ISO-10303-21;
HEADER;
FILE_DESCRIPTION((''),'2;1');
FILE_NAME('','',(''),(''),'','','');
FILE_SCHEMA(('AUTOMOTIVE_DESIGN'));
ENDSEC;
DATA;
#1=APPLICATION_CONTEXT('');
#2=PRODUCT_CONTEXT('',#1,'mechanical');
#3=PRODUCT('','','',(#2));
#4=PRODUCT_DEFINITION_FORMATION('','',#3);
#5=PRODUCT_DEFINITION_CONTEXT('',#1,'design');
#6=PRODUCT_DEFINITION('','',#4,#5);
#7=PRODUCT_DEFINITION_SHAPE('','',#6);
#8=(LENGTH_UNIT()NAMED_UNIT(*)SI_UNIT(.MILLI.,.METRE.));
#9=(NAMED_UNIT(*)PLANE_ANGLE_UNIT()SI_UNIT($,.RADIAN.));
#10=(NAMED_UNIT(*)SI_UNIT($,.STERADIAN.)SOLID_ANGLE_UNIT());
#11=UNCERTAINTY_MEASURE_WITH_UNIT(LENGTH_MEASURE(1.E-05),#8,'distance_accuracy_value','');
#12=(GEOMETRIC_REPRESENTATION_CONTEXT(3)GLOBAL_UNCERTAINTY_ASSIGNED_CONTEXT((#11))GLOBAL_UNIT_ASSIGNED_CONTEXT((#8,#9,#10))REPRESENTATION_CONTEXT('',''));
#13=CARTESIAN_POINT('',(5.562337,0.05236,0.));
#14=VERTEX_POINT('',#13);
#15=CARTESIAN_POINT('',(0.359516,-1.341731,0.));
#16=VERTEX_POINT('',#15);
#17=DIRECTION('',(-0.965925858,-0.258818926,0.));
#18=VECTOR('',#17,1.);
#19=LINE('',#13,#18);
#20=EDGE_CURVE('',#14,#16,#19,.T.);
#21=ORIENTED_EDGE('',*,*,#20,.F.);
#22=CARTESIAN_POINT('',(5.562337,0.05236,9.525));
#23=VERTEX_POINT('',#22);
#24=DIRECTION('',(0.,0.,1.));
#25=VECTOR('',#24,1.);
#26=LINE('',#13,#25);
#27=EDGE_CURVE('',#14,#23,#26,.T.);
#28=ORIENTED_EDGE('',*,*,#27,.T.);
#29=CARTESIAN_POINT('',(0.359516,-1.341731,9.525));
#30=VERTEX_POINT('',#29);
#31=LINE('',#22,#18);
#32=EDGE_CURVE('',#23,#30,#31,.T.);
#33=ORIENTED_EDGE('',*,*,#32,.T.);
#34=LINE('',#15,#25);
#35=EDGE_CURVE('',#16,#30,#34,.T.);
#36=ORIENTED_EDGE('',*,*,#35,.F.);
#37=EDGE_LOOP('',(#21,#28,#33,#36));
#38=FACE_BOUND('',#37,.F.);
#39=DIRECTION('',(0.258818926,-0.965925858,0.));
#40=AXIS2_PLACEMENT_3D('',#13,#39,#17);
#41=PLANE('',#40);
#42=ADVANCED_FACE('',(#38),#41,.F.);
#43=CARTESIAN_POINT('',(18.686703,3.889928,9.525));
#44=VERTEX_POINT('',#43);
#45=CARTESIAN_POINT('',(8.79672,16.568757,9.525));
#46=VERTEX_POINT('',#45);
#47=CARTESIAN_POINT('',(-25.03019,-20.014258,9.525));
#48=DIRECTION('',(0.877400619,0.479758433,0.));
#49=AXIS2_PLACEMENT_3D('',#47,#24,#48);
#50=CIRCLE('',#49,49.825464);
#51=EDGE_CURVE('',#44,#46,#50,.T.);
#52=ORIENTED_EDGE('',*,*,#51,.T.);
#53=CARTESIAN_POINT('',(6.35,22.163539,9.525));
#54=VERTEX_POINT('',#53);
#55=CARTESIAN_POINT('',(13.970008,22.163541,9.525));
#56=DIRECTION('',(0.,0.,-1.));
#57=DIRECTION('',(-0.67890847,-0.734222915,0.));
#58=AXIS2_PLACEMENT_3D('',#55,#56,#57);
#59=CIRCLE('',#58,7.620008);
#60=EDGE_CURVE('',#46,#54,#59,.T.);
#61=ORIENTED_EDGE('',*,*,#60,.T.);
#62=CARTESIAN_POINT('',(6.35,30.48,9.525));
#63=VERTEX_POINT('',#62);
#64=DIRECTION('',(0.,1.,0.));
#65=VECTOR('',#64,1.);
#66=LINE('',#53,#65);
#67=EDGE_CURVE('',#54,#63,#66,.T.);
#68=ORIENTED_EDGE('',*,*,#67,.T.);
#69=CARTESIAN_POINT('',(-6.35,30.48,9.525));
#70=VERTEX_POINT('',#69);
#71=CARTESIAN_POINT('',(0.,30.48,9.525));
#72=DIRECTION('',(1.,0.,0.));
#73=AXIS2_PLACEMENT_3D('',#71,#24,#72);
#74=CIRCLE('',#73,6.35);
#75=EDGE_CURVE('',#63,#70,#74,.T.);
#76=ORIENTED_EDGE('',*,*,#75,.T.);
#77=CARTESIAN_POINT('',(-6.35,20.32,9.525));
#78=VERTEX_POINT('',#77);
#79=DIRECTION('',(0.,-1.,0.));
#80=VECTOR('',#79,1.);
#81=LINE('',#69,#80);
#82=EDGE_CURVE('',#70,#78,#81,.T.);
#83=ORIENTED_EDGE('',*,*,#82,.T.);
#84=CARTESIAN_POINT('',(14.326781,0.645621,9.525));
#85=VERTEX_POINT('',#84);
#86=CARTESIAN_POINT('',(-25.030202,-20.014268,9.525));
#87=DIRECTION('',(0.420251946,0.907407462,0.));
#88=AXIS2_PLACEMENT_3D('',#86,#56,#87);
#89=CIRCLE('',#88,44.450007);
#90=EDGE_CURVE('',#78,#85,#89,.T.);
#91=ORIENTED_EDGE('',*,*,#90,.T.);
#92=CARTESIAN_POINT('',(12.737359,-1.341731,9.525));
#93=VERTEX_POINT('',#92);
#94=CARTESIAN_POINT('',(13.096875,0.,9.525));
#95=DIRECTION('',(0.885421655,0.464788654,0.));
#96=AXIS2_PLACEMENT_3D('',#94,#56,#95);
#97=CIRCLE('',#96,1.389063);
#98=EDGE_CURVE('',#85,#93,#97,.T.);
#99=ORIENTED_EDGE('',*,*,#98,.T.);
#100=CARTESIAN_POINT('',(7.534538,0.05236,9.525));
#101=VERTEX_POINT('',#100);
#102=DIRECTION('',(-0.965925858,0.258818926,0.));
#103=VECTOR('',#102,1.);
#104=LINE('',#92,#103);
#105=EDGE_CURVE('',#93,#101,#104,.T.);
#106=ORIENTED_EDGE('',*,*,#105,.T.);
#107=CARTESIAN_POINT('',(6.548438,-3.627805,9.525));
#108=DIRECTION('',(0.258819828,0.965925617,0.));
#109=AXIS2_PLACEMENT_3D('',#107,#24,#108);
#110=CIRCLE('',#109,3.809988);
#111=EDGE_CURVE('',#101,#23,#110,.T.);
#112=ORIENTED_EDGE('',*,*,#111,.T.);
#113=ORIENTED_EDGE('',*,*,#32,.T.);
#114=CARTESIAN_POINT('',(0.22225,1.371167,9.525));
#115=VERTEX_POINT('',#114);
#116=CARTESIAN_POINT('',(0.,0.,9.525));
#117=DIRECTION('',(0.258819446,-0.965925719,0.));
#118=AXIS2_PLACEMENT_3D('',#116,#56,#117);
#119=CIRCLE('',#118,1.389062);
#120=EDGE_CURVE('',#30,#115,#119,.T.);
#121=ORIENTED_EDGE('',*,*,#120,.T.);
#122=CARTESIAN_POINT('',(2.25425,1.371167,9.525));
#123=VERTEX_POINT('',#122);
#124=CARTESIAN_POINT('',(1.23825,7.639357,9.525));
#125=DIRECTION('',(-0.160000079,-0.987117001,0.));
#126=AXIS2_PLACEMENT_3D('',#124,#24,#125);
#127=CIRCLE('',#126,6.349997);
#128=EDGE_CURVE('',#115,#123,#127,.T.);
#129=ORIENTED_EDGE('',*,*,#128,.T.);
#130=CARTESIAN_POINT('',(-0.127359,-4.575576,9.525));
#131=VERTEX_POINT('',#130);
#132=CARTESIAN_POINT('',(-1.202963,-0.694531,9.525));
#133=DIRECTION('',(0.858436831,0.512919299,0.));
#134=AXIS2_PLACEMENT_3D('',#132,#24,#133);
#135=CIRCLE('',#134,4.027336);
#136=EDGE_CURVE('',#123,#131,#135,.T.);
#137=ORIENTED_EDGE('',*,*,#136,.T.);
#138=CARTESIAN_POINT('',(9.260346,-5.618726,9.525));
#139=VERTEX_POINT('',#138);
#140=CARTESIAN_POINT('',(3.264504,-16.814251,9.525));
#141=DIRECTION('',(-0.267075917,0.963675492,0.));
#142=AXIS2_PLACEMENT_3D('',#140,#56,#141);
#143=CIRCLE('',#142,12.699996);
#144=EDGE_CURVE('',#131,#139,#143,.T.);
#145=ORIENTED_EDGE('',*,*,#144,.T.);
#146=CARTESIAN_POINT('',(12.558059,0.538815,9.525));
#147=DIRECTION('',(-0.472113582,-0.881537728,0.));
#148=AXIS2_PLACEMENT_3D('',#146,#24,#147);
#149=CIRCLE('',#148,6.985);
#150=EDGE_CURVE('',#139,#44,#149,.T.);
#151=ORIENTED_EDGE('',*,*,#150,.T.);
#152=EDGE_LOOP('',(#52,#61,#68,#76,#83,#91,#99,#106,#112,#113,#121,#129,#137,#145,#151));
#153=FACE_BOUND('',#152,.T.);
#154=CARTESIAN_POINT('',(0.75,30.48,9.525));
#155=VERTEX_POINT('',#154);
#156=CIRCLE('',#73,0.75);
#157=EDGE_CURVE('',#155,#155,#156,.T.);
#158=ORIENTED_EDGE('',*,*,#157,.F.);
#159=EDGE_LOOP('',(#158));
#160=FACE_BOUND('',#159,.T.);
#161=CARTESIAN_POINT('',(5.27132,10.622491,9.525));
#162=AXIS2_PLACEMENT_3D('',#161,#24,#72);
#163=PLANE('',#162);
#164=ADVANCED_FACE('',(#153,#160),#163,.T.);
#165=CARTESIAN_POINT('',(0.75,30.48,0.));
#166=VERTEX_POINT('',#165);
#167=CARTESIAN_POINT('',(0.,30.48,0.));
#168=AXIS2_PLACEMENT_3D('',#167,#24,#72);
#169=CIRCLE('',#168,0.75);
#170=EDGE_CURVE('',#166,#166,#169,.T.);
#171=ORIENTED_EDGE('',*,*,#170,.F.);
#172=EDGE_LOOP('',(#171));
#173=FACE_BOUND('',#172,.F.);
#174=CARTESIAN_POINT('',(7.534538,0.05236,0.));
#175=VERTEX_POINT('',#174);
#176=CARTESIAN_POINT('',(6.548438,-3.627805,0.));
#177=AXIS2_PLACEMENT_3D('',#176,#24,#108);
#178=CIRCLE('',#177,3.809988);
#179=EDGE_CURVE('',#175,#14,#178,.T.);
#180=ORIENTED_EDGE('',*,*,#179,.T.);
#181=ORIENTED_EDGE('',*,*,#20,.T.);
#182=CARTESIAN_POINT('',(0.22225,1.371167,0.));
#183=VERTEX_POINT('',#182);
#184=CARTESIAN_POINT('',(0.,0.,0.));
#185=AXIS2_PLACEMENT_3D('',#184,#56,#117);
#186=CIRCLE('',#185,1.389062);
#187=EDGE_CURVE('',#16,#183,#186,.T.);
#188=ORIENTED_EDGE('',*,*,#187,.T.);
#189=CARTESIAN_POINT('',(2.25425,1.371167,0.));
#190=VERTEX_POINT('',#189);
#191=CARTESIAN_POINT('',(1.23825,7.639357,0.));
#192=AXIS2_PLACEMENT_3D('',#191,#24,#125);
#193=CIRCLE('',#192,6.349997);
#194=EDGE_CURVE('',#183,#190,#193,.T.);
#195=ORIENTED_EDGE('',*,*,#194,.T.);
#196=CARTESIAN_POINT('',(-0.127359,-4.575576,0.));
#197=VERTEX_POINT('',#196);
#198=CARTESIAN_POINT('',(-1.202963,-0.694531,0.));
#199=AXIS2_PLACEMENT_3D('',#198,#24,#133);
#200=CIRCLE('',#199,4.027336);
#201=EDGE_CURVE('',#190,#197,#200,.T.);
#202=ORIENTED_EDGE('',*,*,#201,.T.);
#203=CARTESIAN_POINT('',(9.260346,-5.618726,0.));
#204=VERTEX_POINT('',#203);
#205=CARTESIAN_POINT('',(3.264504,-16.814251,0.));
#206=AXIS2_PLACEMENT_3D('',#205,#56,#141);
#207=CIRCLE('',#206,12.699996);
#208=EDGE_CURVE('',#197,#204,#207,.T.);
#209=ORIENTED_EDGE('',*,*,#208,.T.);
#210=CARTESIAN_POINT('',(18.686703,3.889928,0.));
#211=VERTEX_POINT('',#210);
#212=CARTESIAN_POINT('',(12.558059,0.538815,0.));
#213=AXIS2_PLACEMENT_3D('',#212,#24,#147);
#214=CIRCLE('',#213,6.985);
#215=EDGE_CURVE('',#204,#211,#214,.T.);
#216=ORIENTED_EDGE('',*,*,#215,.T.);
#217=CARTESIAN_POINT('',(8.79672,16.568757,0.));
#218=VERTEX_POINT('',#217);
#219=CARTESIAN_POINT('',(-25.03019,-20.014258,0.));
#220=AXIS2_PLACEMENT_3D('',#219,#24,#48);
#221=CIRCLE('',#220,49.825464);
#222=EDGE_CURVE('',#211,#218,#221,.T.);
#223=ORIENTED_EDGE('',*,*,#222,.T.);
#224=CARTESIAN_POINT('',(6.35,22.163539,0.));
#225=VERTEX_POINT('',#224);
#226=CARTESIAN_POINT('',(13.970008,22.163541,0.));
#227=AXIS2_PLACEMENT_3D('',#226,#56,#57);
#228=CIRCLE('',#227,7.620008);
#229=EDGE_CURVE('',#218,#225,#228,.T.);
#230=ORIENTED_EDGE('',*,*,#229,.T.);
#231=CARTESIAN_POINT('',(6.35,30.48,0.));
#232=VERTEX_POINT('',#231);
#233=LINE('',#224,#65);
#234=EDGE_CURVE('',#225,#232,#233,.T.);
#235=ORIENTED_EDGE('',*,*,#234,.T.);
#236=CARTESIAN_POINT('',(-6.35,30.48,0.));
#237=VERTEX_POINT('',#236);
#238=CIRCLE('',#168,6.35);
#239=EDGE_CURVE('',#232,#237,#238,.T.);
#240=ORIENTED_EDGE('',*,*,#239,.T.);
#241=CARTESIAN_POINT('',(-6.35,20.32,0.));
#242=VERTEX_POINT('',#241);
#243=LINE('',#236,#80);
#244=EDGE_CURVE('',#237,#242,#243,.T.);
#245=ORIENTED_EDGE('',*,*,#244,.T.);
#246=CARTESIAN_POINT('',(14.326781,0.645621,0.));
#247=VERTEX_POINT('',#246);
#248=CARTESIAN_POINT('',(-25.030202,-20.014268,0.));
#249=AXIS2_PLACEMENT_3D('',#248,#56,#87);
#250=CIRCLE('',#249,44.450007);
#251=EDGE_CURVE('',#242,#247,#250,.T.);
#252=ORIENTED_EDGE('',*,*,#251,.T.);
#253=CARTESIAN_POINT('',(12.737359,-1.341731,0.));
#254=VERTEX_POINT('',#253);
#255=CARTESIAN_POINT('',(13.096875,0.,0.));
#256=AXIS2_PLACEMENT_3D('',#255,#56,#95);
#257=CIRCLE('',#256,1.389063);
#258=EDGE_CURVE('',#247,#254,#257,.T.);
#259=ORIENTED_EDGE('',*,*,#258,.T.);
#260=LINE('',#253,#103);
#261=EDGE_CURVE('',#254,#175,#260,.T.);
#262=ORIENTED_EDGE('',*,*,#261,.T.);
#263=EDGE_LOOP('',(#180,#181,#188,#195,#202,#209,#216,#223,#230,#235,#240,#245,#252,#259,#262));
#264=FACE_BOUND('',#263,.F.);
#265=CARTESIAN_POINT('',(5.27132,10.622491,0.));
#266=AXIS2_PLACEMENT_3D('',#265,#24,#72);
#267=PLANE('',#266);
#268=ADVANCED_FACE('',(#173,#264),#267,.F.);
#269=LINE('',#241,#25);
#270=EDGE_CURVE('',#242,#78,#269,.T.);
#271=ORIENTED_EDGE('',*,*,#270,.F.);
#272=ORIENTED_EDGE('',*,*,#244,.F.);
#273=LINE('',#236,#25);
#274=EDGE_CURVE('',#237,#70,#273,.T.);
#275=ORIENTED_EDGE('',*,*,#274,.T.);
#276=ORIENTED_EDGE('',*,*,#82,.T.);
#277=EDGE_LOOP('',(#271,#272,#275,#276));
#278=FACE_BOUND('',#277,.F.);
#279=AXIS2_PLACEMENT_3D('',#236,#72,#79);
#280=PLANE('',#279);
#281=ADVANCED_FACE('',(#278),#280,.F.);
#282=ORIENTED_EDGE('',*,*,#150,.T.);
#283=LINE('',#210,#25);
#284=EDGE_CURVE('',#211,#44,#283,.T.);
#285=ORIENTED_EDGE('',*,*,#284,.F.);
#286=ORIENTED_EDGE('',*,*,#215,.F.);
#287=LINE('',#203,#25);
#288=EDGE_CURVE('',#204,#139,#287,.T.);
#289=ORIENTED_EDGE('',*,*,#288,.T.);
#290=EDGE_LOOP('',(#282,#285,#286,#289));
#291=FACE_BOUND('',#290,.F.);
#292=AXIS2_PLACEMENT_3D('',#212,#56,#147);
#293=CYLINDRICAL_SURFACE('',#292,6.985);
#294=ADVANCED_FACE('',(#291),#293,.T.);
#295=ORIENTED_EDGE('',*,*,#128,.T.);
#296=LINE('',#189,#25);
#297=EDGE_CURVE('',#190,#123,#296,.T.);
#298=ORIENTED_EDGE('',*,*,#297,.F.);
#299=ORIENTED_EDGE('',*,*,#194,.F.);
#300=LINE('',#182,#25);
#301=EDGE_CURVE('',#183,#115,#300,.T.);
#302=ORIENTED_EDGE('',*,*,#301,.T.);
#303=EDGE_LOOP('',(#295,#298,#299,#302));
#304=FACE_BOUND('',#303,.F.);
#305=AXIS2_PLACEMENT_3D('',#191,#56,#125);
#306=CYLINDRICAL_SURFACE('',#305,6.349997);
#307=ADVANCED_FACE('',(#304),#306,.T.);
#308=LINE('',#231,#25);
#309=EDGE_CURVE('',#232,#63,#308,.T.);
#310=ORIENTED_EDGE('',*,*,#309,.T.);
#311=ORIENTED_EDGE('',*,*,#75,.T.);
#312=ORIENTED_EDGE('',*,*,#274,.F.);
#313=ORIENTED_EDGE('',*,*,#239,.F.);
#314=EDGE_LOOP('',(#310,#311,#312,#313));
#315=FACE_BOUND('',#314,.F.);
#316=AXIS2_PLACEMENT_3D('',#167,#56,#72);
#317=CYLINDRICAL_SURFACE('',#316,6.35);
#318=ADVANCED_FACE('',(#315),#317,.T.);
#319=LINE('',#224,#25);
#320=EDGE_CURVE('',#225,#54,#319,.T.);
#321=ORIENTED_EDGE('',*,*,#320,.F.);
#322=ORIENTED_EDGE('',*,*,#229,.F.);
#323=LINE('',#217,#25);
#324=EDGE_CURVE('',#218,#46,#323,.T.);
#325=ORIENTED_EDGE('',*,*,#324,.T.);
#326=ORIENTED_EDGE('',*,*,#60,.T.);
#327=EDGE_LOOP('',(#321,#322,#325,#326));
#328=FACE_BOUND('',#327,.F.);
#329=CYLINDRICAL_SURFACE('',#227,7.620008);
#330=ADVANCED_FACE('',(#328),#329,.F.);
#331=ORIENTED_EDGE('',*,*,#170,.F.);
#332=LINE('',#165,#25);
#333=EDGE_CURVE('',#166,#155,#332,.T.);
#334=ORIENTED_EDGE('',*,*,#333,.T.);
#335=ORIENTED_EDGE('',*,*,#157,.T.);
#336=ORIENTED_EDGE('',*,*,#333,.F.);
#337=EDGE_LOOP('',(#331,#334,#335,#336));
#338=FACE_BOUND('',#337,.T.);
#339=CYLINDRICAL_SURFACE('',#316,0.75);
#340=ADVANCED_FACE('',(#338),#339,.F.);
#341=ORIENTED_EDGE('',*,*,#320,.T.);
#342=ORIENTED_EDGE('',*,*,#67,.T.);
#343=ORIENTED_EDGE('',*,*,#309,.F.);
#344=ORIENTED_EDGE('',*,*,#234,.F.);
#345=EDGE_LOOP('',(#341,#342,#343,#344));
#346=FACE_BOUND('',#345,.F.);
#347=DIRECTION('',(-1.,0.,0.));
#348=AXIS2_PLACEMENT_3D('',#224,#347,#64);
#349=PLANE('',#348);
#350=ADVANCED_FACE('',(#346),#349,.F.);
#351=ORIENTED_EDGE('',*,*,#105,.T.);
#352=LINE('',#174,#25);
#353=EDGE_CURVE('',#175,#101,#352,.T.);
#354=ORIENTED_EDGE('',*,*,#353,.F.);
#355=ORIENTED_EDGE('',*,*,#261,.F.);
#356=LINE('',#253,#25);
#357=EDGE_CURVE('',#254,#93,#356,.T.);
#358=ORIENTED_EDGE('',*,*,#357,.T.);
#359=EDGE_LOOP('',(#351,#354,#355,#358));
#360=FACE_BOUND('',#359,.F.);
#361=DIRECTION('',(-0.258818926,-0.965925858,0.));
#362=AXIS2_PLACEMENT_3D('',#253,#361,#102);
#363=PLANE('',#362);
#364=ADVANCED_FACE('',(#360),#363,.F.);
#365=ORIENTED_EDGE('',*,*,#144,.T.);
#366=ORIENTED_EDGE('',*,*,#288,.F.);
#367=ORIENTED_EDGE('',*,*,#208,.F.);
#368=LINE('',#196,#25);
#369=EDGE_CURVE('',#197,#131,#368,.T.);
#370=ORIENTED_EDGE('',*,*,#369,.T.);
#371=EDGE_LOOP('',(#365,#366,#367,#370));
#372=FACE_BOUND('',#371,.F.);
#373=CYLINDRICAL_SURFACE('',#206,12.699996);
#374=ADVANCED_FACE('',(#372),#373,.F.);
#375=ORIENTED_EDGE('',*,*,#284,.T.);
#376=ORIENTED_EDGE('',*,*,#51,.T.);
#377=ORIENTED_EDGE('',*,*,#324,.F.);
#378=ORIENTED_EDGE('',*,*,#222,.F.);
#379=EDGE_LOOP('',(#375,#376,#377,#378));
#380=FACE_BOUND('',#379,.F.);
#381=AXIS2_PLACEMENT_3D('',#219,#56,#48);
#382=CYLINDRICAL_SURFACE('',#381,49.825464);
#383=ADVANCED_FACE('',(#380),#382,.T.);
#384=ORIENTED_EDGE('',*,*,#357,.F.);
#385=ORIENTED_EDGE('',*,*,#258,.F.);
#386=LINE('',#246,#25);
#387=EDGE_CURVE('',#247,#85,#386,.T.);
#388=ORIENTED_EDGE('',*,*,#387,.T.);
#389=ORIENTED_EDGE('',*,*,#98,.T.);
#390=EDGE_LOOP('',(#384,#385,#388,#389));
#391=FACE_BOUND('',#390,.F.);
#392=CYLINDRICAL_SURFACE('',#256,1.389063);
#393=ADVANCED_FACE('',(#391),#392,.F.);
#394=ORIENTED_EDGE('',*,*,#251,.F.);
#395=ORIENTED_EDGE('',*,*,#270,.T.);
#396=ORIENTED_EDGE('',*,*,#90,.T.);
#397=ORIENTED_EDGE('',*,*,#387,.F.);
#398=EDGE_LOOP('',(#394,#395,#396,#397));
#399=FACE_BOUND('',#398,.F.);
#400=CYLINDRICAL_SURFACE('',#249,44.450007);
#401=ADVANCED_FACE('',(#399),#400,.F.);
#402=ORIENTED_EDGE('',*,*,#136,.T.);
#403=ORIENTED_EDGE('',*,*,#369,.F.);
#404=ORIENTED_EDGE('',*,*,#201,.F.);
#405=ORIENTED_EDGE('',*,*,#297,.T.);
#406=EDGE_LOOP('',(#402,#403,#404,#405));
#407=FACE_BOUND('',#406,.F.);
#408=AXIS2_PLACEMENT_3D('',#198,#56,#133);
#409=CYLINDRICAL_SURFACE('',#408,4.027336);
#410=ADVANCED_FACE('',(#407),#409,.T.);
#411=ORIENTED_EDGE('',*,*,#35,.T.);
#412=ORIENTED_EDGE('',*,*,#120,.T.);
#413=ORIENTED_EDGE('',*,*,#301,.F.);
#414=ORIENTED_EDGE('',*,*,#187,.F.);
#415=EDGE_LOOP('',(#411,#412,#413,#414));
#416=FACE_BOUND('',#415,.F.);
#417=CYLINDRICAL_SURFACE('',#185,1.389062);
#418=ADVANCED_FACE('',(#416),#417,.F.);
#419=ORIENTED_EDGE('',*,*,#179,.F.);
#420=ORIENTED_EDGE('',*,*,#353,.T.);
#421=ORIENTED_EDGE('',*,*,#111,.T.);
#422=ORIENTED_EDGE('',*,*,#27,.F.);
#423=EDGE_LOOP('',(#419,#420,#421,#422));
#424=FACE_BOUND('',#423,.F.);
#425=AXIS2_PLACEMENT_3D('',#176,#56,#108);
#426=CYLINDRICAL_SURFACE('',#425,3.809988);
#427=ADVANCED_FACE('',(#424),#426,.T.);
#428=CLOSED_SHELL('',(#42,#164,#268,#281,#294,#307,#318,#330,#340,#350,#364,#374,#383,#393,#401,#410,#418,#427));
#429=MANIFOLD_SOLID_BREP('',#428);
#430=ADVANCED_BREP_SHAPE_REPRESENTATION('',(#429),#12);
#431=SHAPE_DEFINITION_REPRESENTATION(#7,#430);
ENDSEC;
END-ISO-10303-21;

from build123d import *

# Parameters (mm, degrees)
F0_R     = 0.75
F1_DEPTH = 9.525


with BuildPart() as f1:
    # F0 (on Top) → F1 (new body)
    with BuildSketch(Plane.XY):
        with BuildLine():
            ThreePointArc((-6.35, 20.32), (5.610441, 12.187504), (14.326781, 0.645621))
            ThreePointArc((14.326781, 0.645621), (14.181673, -0.867587), (12.737359, -1.341731))
            Line((12.737359, -1.341731), (7.534538, 0.05236))
            ThreePointArc((7.534538, 0.05236), (6.548438, 0.182183), (5.562337, 0.05236))
            Line((5.562337, 0.05236), (0.359516, -1.341731))
            ThreePointArc((0.359516, -1.341731), (-1.387288, -0.070193), (0.22225, 1.371167))
            ThreePointArc((0.22225, 1.371167), (1.23825, 1.28936), (2.25425, 1.371167))
            ThreePointArc((2.25425, 1.371167), (-4.941619, 0.802762), (-0.127359, -4.575576))
            ThreePointArc((-0.127359, -4.575576), (4.667079, -4.191942), (9.260346, -5.618726))
            ThreePointArc((9.260346, -5.618726), (17.518621, -4.378812), (18.686703, 3.889928))
            ThreePointArc((18.686703, 3.889928), (14.256557, 10.630943), (8.79672, 16.568757))
            ThreePointArc((8.79672, 16.568757), (6.988425, 19.110343), (6.35, 22.163539))
            Line((6.35, 22.163539), (6.35, 30.48))
            ThreePointArc((6.35, 30.48), (0, 36.83), (-6.35, 30.48))
            Line((-6.35, 30.48), (-6.35, 20.32))
        make_face()
        with Locations((0, 30.48)):
            Circle(F0_R, mode=Mode.SUBTRACT)
    extrude(amount=F1_DEPTH)


solid = f1.part
